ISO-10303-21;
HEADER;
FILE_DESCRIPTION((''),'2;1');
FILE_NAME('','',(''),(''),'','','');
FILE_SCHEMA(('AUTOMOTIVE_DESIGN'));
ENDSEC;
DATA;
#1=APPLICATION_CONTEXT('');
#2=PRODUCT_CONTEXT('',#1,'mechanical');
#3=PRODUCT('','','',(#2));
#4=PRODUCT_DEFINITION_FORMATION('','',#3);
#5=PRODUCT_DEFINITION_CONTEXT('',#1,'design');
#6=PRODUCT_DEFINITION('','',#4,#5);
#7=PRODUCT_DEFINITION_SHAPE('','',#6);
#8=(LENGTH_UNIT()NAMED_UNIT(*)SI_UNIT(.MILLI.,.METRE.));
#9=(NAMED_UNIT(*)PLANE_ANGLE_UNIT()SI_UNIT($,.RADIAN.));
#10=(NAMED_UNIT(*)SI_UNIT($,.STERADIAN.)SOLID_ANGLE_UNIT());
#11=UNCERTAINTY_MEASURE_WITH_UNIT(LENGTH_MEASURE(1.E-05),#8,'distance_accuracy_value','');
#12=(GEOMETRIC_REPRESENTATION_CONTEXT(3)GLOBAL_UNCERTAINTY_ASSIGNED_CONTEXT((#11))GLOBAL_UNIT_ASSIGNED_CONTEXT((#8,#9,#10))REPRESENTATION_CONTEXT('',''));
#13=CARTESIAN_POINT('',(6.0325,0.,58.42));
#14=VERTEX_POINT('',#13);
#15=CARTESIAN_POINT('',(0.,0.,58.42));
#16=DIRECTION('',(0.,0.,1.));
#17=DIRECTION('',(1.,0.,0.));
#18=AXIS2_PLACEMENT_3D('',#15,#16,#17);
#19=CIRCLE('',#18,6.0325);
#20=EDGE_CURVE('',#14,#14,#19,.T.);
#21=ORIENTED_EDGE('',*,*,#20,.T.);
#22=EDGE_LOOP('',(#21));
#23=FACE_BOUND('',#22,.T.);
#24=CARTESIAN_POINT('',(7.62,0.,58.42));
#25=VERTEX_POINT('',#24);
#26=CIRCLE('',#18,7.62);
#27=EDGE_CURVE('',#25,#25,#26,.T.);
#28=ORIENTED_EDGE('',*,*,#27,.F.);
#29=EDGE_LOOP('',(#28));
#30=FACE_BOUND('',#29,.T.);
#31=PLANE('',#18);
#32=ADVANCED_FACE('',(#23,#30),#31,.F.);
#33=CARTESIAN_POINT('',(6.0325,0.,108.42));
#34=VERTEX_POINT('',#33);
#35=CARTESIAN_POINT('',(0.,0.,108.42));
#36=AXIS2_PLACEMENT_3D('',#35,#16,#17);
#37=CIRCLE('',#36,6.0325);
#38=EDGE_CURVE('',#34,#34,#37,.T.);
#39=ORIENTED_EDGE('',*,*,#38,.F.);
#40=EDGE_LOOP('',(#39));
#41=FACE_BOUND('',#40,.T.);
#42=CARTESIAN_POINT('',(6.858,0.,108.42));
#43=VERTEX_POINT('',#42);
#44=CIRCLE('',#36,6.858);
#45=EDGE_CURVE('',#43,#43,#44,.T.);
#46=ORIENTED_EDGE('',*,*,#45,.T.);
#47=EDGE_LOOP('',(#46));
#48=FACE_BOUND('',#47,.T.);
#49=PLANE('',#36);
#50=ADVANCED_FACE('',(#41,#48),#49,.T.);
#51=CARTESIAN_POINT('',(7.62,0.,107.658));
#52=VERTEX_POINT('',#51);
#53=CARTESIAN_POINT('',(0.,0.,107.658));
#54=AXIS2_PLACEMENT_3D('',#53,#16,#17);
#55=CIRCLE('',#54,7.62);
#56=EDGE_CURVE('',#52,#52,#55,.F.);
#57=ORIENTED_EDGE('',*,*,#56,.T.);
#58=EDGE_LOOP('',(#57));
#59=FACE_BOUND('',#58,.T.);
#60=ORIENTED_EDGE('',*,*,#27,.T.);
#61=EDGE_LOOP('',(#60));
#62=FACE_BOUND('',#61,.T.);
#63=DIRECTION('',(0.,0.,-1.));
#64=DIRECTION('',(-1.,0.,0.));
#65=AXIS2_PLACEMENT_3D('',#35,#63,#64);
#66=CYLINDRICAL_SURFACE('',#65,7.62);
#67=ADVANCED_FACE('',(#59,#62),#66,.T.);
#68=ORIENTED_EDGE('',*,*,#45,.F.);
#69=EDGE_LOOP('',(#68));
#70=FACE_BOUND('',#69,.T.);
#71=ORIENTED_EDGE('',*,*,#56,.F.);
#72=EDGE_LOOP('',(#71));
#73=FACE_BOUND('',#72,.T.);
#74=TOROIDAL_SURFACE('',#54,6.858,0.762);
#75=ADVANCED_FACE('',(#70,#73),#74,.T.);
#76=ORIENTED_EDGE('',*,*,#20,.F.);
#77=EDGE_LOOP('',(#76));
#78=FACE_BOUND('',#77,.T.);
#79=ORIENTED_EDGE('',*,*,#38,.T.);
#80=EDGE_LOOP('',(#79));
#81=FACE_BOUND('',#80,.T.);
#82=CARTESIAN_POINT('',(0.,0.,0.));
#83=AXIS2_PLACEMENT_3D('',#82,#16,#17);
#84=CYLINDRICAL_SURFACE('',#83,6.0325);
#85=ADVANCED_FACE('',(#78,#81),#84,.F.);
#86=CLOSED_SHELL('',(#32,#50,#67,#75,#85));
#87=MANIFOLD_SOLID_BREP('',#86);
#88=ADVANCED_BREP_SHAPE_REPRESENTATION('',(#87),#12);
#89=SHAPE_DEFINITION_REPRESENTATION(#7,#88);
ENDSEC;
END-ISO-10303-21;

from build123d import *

# Parameters (mm, degrees)
EXTRUDE1_DEPTH  = 58.42
SKETCH2_R       = 7.62
EXTRUDE2_DEPTH  = 50
SKETCH3_R       = 6.0325
EXTRUDE12_DEPTH = 110.253593305
FILLET1_R       = 0.762


with BuildPart() as part:
    # Sketch1 → Extrude1 (new body)
    with BuildSketch(Plane.XY):
        with BuildLine():
            Line((-9.525, 8.699334611), (9.525, 8.699334611))
            Line((9.525, 8.699334611), (9.525, 0))
            ThreePointArc((9.525, 0), (0, -9.525), (-9.525, 0))
            Line((-9.525, 0), (-9.525, 8.699334611))
        make_face()
    extrude(amount=EXTRUDE1_DEPTH)


with BuildPart() as body_2:
    # Sketch2 → Extrude2 (new body)
    with BuildSketch(Plane.XY.offset(58.42)):
        Circle(SKETCH2_R)
    extrude(amount=EXTRUDE2_DEPTH)


with BuildPart() as extrude12_tool:
    # Sketch3 → Extrude12 (new, through all)
    with BuildSketch(Plane.XY.offset(108.42)):
        Circle(SKETCH3_R)
    extrude(amount=-EXTRUDE12_DEPTH)


with BuildPart() as part_1:
    add(part.part)

    # Extrude12: cut by extrude12_tool
    add(extrude12_tool.part, mode=Mode.SUBTRACT)


with BuildPart() as body_2_1:
    add(body_2.part)

    # Extrude12: cut by extrude12_tool
    add(extrude12_tool.part, mode=Mode.SUBTRACT)

    # Fillet1
    fillet1_edges = [body_2_1.edges().sort_by_distance(p)[0] for p in [
        (-7.62, 0, 108.42),
    ]]
    fillet(fillet1_edges, radius=FILLET1_R)


solid = body_2_1.part
